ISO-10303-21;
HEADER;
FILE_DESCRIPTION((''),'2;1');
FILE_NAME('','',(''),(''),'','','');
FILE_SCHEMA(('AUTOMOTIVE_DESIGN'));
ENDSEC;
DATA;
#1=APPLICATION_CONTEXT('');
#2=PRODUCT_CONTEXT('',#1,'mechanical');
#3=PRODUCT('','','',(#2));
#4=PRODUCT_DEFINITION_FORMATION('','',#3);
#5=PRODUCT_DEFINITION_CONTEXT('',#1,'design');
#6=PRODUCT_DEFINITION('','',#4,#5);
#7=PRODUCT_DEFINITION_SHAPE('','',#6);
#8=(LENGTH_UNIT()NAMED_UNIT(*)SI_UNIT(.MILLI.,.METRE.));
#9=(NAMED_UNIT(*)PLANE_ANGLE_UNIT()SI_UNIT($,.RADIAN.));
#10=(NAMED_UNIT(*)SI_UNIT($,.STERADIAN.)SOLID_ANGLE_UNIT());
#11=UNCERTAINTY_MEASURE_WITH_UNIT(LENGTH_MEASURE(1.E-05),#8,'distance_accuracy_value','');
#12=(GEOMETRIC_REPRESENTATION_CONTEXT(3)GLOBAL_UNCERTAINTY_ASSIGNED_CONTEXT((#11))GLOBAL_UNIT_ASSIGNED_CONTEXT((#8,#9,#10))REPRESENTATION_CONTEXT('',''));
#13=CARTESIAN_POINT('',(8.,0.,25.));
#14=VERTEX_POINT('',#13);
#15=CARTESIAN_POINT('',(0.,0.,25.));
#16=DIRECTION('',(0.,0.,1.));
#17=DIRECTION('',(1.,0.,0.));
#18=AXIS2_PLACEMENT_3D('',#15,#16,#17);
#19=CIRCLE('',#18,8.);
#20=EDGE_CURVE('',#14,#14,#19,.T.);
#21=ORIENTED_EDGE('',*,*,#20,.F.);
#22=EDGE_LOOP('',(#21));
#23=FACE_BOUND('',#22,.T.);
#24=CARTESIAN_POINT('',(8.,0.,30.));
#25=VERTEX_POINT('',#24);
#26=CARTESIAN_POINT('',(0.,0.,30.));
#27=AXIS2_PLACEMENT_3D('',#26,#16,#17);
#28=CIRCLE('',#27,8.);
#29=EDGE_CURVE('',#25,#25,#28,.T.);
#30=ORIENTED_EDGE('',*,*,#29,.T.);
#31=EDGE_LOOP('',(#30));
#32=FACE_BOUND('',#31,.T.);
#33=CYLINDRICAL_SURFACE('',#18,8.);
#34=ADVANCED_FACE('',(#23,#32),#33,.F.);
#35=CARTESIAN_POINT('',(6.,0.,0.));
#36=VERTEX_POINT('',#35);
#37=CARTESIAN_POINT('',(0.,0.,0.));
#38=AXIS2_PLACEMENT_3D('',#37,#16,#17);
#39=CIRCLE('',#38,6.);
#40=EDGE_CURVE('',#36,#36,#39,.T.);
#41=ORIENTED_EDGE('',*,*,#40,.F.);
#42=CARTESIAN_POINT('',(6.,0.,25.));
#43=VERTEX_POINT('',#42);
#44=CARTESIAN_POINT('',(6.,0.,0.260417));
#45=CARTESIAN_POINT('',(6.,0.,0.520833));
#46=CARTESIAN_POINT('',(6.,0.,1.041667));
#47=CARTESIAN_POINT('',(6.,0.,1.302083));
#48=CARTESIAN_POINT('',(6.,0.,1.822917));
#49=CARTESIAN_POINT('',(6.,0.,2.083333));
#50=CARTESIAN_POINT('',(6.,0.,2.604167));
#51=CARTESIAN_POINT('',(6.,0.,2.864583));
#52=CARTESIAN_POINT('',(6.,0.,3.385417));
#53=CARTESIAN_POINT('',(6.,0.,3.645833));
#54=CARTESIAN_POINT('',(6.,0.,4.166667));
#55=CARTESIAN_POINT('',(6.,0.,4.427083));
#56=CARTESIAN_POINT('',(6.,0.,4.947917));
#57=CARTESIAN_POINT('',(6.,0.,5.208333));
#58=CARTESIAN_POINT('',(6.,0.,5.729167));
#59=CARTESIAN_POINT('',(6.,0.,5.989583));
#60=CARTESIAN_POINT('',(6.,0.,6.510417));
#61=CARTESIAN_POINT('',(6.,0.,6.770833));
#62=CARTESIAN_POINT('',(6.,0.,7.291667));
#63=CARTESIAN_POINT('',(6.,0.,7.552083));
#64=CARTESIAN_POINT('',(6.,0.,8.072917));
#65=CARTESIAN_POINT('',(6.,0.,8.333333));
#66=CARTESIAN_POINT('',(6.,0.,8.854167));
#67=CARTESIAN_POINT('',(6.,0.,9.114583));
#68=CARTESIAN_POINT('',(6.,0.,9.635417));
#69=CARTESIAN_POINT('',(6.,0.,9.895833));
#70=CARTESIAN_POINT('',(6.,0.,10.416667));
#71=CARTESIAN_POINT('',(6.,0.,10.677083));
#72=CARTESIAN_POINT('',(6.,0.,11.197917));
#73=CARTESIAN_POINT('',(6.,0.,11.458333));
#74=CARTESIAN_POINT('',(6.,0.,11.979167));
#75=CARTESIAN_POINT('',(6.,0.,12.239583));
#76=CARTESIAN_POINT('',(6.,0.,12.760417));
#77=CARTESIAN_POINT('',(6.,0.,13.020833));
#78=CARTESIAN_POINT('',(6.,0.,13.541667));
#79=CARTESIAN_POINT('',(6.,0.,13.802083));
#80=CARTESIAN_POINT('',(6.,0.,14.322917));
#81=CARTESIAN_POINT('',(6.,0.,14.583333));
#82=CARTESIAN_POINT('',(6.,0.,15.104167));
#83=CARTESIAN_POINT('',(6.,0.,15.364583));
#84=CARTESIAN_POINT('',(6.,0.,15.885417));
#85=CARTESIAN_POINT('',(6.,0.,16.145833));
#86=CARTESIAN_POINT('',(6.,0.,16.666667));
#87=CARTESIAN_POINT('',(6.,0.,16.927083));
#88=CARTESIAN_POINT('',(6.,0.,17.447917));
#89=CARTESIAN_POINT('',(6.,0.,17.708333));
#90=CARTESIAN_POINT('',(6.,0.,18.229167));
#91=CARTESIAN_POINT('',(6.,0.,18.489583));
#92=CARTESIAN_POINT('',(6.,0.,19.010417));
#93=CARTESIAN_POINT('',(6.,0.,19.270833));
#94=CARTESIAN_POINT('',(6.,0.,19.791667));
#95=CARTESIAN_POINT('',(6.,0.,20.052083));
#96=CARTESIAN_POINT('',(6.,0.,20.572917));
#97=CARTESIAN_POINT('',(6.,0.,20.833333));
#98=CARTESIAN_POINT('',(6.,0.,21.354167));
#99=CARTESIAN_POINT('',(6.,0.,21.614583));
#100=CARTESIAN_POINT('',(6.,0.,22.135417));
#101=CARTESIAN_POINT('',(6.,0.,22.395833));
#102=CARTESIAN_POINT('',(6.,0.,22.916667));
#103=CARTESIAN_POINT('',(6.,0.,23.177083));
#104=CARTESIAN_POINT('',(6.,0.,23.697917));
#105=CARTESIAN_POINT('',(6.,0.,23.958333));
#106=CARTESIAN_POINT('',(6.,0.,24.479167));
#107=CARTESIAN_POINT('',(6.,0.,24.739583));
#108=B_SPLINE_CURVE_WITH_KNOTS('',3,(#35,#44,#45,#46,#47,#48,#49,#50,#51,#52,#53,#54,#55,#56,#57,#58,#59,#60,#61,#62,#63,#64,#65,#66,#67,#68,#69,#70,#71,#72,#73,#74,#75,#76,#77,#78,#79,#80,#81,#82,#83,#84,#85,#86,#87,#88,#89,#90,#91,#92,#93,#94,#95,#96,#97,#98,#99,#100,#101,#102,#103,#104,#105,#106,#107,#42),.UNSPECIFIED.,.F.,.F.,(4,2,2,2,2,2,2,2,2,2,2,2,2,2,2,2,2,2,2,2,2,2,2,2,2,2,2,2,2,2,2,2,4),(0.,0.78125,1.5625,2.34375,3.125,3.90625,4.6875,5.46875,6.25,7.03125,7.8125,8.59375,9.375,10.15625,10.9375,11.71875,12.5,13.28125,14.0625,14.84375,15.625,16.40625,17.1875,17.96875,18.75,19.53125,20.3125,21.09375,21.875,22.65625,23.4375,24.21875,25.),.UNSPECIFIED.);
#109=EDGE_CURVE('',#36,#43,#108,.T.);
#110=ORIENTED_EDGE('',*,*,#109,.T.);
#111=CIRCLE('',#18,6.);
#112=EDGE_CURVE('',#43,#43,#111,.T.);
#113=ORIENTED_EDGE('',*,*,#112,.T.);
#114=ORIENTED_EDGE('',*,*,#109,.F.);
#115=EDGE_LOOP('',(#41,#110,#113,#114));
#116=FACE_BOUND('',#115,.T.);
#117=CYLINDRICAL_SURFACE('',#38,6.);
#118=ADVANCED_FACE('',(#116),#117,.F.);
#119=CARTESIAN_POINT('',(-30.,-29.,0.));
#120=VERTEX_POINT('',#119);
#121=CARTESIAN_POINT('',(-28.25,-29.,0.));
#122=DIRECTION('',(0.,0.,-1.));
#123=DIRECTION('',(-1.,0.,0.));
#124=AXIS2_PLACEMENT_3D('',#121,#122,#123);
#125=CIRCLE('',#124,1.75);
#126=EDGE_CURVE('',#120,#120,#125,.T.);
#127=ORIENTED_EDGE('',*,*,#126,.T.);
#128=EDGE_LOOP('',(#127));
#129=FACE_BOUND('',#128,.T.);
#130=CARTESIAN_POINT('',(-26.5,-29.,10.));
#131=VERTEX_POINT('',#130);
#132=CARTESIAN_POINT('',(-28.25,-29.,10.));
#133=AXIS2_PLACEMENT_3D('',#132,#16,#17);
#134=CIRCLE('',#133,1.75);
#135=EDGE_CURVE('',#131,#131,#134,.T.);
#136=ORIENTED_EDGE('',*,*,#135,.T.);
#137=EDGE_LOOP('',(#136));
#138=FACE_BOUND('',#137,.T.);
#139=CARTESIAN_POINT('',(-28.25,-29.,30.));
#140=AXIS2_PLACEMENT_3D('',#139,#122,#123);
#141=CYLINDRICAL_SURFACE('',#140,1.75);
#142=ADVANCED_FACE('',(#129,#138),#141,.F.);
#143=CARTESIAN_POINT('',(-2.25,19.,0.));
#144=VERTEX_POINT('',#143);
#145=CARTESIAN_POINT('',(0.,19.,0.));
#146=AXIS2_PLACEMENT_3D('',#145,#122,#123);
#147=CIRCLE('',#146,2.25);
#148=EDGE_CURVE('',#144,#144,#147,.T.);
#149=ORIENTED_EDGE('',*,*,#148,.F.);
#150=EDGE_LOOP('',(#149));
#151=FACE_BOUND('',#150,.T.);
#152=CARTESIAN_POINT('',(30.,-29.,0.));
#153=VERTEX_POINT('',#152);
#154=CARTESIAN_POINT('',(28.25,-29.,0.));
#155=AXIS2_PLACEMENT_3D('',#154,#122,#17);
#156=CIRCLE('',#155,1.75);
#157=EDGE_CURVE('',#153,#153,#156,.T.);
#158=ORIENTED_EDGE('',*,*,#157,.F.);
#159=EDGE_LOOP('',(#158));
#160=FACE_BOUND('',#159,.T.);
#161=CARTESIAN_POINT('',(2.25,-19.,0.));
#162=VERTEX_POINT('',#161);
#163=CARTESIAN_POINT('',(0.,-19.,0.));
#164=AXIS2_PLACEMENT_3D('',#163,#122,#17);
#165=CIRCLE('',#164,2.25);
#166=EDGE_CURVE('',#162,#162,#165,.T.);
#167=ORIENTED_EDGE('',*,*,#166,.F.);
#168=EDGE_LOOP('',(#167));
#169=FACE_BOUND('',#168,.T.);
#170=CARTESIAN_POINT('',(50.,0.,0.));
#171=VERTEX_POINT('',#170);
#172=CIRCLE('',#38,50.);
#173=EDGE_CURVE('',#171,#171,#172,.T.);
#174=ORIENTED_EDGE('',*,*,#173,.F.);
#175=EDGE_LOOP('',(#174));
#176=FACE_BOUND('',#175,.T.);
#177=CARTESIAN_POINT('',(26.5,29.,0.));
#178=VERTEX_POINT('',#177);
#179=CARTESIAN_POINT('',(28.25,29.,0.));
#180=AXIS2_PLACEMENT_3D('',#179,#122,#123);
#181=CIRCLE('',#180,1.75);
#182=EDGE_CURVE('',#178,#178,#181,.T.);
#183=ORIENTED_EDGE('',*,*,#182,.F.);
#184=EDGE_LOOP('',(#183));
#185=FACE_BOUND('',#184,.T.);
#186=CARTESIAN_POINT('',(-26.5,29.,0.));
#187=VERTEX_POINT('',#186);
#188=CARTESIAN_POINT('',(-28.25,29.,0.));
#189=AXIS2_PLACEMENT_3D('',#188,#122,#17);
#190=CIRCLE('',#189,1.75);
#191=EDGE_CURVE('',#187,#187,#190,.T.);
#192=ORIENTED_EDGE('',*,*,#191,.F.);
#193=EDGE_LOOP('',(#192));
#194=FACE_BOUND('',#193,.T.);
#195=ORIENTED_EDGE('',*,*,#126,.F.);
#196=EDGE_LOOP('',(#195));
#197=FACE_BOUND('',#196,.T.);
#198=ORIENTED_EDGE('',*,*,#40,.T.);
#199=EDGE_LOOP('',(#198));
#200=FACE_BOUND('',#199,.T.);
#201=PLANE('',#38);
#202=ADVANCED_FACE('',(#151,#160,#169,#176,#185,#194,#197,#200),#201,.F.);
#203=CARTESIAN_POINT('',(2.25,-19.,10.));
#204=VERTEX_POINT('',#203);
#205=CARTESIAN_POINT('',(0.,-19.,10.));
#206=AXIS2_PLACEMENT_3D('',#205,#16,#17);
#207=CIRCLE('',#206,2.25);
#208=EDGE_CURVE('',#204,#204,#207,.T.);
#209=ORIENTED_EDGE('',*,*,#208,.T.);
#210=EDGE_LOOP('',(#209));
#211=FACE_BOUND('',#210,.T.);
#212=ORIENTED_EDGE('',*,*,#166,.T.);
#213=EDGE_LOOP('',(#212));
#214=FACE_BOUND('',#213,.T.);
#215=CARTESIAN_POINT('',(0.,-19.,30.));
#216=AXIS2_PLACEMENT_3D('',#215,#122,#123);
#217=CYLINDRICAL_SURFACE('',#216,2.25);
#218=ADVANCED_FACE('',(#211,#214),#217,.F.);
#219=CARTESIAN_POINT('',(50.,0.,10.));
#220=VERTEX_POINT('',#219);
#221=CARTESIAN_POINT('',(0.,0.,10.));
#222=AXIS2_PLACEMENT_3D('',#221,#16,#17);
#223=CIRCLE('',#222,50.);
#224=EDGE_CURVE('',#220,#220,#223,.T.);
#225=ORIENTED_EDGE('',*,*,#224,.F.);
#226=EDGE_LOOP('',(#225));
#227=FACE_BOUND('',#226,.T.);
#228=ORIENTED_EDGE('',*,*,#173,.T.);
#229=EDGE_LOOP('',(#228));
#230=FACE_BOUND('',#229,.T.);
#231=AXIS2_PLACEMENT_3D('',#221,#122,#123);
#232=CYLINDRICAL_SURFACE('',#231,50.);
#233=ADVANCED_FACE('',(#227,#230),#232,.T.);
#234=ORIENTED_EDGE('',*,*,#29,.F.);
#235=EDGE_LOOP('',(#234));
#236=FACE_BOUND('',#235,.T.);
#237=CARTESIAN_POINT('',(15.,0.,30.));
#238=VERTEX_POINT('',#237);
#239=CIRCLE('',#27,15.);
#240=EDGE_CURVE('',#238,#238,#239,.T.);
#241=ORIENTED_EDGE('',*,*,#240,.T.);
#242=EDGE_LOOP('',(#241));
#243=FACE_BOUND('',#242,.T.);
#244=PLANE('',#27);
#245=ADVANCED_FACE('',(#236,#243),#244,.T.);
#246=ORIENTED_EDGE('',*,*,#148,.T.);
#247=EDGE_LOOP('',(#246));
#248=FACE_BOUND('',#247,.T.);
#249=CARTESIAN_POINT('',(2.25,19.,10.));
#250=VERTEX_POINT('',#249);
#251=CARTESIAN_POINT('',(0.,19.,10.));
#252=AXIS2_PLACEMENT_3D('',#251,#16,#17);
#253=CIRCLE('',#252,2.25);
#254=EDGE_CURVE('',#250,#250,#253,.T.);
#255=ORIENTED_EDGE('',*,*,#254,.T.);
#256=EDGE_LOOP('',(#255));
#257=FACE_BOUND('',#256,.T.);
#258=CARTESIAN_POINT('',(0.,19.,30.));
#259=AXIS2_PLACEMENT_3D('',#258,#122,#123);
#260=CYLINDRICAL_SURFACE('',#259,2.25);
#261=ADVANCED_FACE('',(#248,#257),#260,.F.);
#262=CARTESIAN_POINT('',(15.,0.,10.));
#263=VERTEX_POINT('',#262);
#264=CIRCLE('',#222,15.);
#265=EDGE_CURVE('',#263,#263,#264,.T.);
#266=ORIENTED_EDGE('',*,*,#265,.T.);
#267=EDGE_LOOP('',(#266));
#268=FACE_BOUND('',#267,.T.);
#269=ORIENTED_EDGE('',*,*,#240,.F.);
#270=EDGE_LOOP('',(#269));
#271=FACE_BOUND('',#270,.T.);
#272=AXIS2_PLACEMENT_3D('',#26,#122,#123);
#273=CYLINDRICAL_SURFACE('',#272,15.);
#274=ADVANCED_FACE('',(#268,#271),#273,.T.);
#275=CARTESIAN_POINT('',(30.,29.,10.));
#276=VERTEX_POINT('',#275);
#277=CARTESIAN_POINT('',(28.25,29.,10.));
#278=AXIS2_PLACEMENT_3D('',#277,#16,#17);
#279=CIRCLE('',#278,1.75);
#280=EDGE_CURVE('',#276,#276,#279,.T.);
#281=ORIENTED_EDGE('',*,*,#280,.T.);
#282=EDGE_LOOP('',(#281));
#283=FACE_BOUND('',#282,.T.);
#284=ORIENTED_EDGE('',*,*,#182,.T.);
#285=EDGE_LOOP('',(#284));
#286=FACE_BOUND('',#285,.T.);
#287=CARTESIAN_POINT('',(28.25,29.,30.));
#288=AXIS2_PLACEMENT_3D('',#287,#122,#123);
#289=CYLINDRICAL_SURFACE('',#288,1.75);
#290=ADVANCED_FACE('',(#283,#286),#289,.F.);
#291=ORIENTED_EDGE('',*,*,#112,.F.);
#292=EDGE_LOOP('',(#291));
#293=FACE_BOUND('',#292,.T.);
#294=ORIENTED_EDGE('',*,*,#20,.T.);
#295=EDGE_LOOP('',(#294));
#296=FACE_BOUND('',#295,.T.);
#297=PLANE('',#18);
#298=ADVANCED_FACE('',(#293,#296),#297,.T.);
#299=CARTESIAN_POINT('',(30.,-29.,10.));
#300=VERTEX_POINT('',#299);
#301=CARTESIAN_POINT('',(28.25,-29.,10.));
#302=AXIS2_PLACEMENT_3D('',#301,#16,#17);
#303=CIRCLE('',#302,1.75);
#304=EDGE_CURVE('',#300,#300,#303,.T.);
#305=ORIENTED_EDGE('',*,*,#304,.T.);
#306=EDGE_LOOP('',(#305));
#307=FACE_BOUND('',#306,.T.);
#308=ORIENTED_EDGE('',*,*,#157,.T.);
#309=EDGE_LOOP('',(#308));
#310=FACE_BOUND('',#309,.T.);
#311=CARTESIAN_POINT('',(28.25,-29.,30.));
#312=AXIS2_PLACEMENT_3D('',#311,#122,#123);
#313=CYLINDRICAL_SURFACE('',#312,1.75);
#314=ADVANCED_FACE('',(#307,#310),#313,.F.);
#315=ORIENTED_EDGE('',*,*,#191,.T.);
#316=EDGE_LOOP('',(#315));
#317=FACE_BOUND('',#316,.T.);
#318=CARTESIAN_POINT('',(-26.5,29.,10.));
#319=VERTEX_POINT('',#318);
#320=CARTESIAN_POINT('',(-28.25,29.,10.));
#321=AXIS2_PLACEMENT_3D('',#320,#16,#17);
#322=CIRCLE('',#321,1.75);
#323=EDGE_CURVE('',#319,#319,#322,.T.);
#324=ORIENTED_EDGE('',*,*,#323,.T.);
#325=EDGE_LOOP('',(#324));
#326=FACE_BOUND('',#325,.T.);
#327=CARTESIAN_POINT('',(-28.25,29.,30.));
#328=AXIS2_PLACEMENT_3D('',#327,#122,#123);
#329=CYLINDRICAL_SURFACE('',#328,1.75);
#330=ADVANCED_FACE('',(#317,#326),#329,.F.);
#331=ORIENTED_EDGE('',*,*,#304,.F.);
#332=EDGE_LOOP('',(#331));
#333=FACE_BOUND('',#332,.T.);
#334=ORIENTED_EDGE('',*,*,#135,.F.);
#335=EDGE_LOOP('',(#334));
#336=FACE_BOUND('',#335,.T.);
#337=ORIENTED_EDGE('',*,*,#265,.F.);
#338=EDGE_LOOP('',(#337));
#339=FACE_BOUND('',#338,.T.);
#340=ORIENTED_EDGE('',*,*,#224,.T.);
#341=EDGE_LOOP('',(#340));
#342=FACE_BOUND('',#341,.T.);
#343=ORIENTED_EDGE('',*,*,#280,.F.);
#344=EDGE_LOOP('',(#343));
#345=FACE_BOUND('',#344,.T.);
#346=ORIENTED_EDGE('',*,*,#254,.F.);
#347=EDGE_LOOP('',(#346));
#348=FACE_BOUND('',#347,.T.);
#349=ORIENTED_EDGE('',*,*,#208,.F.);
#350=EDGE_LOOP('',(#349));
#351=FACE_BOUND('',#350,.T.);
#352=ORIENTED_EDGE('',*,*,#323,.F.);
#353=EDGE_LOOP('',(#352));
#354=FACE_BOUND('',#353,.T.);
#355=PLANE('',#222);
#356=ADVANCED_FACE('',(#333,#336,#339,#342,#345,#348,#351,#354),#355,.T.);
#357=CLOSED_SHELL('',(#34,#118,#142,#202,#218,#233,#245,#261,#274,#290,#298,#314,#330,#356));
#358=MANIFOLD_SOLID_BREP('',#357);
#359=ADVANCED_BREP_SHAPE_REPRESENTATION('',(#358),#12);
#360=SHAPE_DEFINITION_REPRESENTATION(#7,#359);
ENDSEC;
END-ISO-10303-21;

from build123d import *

# Parameters (mm, degrees)
SKETCH1_R           = 50
BOSS_EXTRUDE1_DEPTH = 10
SKETCH2_R           = 15
BOSS_EXTRUDE2_DEPTH = 20
SKETCH5_R           = 8
CUT_EXTRUDE2_DEPTH  = 5
SKETCH6_R           = 6
CUT_EXTRUDE3_DEPTH  = 76
SKETCH7_R           = 1.75
CUT_EXTRUDE4_DEPTH  = 77.811457479
SKETCH8_R           = 2.25
CUT_EXTRUDE5_DEPTH  = 77.811457479


with BuildPart() as part:
    # Sketch1 → Boss-Extrude1 (new body)
    with BuildSketch(Plane.XY):
        Circle(SKETCH1_R)
    extrude(amount=BOSS_EXTRUDE1_DEPTH)

    # Sketch2 → Boss-Extrude2 (add)
    with BuildSketch(Plane.XY.offset(10)):
        Circle(SKETCH2_R)
    extrude(amount=BOSS_EXTRUDE2_DEPTH)

    # Sketch5 → Cut-Extrude2 (cut)
    with BuildSketch(Plane.XY.offset(30)):
        Circle(SKETCH5_R)
    extrude(amount=-CUT_EXTRUDE2_DEPTH, mode=Mode.SUBTRACT)

    # Sketch6 → Cut-Extrude3 (cut, through all)
    with BuildSketch(Plane.XY.offset(25)):
        Circle(SKETCH6_R)
    extrude(amount=-CUT_EXTRUDE3_DEPTH, mode=Mode.SUBTRACT)

    # Sketch7 → Cut-Extrude4 (cut, through all)
    with BuildSketch(Plane(origin=(0, 0, 0), x_dir=(-1, 0, 0), z_dir=(0, 0, -1))):
        with Locations((-28.25, 29)):
            Circle(SKETCH7_R)
        with Locations(Location((28.25, 29, 0), (0, 0, 180))):
            Circle(SKETCH7_R)
        with Locations((28.25, -29)):
            Circle(SKETCH7_R)
        with Locations(Location((-28.25, -29, 0), (0, 0, 180))):
            Circle(SKETCH7_R)
    extrude(amount=-CUT_EXTRUDE4_DEPTH, mode=Mode.SUBTRACT)

    # Sketch8 → Cut-Extrude5 (cut, through all)
    with BuildSketch(Plane(origin=(0, 0, 0), x_dir=(-1, 0, 0), z_dir=(0, 0, -1))):
        with Locations((0, 19)):
            Circle(SKETCH8_R)
        with Locations(Location((0, -19, 0), (0, 0, 180))):
            Circle(SKETCH8_R)
    extrude(amount=-CUT_EXTRUDE5_DEPTH, mode=Mode.SUBTRACT)


solid = part.part
